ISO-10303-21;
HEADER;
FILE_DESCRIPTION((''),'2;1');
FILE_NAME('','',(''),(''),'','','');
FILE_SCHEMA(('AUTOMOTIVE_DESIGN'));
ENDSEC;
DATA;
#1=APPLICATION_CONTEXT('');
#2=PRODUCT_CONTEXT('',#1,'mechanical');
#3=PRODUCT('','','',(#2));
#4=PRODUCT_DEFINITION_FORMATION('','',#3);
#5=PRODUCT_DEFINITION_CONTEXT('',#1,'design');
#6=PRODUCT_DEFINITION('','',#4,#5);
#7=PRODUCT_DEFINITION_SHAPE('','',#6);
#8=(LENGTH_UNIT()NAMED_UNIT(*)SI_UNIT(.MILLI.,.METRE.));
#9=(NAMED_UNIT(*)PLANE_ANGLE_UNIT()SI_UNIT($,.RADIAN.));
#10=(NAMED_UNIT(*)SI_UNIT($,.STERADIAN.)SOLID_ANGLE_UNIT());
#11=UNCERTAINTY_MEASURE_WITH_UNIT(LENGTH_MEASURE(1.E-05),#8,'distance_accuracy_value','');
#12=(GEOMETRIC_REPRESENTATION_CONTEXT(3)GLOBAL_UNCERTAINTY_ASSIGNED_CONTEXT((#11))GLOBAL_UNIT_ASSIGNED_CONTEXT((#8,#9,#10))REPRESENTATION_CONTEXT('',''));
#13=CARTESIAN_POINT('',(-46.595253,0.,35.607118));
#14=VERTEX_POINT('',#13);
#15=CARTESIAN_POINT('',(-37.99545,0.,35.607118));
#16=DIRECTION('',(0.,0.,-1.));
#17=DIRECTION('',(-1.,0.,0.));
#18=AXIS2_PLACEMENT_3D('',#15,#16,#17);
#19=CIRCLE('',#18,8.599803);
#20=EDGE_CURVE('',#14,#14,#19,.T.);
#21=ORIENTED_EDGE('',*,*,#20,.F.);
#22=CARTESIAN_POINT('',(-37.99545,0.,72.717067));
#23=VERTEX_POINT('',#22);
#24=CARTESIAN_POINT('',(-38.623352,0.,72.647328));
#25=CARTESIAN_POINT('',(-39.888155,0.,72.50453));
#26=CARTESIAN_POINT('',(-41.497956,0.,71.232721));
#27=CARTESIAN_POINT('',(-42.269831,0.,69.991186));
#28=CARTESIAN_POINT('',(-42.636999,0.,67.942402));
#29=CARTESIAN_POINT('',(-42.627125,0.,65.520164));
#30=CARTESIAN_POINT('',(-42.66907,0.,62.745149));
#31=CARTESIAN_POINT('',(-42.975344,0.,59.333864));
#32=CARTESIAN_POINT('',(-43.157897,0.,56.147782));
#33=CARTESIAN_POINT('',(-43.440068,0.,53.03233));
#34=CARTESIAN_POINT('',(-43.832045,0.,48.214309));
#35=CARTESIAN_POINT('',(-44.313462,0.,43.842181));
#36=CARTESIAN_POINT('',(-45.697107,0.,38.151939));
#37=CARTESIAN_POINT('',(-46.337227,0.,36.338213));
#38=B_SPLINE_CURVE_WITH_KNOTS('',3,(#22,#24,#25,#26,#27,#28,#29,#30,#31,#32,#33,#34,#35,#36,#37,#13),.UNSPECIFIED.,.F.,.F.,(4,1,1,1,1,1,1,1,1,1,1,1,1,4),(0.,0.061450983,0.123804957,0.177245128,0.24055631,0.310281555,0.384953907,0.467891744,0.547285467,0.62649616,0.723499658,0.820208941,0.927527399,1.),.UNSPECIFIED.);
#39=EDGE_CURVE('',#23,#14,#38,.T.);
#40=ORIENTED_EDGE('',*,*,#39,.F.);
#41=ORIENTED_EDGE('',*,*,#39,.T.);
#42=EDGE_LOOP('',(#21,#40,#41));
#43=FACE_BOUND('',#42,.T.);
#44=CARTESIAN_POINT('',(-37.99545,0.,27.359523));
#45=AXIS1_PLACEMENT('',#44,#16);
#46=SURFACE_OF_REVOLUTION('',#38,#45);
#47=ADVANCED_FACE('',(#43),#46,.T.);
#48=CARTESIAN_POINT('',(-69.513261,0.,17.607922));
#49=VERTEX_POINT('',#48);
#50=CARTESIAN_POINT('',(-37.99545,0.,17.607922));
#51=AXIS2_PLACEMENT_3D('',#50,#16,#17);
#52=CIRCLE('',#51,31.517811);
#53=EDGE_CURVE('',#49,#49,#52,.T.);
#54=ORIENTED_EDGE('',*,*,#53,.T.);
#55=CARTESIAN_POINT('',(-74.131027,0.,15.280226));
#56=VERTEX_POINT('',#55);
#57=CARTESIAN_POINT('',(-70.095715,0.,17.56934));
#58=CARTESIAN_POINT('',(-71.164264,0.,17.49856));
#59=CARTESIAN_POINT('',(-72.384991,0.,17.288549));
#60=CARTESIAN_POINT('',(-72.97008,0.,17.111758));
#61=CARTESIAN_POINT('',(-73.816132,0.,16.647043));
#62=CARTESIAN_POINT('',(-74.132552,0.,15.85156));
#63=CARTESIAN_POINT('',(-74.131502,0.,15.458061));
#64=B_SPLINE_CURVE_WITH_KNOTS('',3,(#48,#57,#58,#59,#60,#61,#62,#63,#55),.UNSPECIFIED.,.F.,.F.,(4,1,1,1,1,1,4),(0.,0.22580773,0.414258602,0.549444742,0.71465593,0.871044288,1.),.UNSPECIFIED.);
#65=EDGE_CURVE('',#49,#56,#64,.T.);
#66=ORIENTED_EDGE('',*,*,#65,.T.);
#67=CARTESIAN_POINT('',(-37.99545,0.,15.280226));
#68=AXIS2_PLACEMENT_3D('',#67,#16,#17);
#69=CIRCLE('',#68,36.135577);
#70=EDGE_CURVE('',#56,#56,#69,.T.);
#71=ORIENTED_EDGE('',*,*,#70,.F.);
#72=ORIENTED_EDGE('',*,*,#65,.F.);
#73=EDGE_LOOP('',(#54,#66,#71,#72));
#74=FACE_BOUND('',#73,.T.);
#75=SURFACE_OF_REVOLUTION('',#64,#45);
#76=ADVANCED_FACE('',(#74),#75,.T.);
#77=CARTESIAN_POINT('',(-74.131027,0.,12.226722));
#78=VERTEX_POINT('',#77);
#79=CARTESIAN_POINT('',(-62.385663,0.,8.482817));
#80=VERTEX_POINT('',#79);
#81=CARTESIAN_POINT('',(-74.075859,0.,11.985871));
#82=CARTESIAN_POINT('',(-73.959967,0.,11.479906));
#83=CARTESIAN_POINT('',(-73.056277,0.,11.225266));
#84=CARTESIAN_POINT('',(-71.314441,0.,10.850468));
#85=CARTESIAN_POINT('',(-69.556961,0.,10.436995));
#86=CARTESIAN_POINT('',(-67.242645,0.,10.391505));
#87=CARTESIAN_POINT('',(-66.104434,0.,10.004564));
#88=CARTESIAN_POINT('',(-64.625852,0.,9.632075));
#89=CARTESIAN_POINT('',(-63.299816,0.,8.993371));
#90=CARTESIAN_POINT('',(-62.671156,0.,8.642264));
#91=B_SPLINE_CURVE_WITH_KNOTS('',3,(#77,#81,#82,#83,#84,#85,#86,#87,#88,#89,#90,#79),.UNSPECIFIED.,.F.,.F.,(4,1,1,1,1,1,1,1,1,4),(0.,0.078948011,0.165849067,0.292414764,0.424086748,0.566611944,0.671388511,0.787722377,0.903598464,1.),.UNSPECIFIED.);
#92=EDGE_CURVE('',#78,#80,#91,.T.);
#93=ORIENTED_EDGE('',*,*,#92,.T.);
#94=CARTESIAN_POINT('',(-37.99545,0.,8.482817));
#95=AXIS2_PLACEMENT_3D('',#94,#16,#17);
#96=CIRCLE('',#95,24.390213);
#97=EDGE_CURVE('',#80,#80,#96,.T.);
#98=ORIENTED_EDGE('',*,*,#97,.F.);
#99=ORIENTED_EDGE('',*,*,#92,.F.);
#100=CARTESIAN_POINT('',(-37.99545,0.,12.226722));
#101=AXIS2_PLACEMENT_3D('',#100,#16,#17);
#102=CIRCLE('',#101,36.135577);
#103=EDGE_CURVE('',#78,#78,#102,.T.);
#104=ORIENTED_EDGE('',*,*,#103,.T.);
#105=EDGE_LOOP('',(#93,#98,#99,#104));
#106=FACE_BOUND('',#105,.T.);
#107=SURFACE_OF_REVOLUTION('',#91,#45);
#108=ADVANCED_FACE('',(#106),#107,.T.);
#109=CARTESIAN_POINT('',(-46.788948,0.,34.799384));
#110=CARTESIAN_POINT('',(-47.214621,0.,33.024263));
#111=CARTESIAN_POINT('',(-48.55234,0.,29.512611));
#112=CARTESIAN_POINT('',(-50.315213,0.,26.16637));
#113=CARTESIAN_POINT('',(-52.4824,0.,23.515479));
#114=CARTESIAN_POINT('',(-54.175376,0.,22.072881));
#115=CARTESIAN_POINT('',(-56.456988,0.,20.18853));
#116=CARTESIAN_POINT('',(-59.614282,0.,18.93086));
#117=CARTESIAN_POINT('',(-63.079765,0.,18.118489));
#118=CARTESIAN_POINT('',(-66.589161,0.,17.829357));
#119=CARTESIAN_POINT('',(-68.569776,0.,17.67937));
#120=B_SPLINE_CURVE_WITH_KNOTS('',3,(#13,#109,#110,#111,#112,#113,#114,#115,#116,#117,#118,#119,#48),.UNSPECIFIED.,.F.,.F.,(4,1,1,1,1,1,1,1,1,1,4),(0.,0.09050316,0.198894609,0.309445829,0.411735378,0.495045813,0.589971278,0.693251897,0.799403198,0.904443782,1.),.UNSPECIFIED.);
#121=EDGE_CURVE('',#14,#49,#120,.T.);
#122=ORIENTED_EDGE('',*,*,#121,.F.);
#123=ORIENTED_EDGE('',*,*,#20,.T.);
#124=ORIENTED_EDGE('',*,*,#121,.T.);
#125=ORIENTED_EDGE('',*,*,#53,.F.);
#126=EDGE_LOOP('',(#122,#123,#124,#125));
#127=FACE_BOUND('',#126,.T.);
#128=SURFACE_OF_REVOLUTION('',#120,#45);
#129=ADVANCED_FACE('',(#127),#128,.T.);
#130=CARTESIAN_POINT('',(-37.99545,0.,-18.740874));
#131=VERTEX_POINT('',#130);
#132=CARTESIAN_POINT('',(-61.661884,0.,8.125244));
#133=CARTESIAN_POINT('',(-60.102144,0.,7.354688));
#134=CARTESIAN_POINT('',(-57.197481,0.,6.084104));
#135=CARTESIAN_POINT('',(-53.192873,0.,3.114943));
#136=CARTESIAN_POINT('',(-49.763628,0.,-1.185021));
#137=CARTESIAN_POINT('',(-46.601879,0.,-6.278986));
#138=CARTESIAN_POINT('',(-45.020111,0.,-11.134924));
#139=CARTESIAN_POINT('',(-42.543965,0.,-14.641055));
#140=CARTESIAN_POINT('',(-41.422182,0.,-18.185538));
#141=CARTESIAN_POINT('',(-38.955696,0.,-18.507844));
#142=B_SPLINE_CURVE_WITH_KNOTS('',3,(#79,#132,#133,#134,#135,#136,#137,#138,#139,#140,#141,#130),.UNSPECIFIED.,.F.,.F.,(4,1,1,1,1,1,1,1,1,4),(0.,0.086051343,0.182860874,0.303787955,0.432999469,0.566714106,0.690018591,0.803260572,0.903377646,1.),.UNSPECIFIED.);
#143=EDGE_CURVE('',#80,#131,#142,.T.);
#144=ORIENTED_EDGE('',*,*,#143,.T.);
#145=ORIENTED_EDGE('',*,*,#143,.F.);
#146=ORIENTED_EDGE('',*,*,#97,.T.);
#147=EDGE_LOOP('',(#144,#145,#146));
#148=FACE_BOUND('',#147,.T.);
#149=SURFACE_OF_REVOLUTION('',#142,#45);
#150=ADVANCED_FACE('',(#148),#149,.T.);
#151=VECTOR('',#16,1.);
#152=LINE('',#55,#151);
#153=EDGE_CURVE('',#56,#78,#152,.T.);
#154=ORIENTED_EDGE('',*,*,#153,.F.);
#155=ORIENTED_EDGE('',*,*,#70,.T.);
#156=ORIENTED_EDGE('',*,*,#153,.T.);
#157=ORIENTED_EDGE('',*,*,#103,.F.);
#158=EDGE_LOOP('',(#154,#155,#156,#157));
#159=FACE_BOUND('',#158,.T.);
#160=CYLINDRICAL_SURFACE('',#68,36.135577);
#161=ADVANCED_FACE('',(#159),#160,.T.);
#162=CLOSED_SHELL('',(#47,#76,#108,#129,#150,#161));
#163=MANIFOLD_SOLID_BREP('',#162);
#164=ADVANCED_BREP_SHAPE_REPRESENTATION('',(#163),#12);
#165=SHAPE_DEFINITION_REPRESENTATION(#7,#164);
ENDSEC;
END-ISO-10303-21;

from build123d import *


with BuildPart() as f1:
    # F0 (on Front) → F1 (revolve)
    with BuildSketch(Plane.XZ):
        with BuildLine():
            Line((-37.9954501987, -18.7408737838), (-37.9954501987, 72.7170665001))
            add(Edge.make_bspline(
                [(-37.9954501987, 72.7170665001), (-38.6233518543, 72.6473279632), (-39.8881551697, 72.5045299812), (-41.4979559097, 71.2327213498), (-42.2698312652, 69.9911860807), (-42.6369988786, 67.9424021012), (-42.6271249795, 65.5201635661), (-42.6690695445, 62.7451491089), (-42.9753440582, 59.3338642074), (-43.157897079, 56.1477822069), (-43.4400681934, 53.0323300715), (-43.8320450189, 48.2143087023), (-44.3134624835, 43.8421813478), (-45.6971074126, 38.1519390956), (-46.3372272733, 36.3382127299), (-46.5952530503, 35.6071181595)],
                knots=[0, 0, 0, 0, 0.0614509827, 0.1238049572, 0.1772451278, 0.2405563101, 0.3102815548, 0.3849539072, 0.467891744, 0.5472854669, 0.6264961603, 0.7234996583, 0.8202089406, 0.9275273989, 1, 1, 1, 1], degree=3))
            add(Edge.make_bspline(
                [(-46.5952530503, 35.6071181595), (-46.7889476365, 34.7993836955), (-47.2146212722, 33.0242630132), (-48.5523395946, 29.5126114556), (-50.3152131844, 26.1663695868), (-52.4823998642, 23.5154786789), (-54.175376123, 22.0728813969), (-56.4569883775, 20.1885295854), (-59.6142816382, 18.9308603775), (-63.0797653583, 18.11848949), (-66.5891611948, 17.8293567879), (-68.5697762615, 17.6793695834), (-69.5132613182, 17.6079217345)],
                knots=[0, 0, 0, 0, 0.0905031597, 0.1988946091, 0.3094458291, 0.4117353779, 0.4950458126, 0.5899712776, 0.6932518969, 0.7994031983, 0.9044437821, 1, 1, 1, 1], degree=3))
            add(Edge.make_bspline(
                [(-69.5132613182, 17.6079217345), (-70.0957151301, 17.5693402351), (-71.1642635892, 17.4985600276), (-72.3849913878, 17.2885488967), (-72.9700801422, 17.1117577493), (-73.8161316124, 16.6470425296), (-74.1325521746, 15.8515597682), (-74.131501635, 15.4580605687), (-74.1310268641, 15.2802262455)],
                knots=[0, 0, 0, 0, 0.22580773, 0.4142586022, 0.5494447422, 0.71465593, 0.8710442877, 1, 1, 1, 1], degree=3))
            Line((-74.1310268641, 15.2802262455), (-74.1310268641, 12.2267222032))
            add(Edge.make_bspline(
                [(-74.1310268641, 12.2267222032), (-74.0758593646, 11.9858711205), (-73.9599669158, 11.4799061591), (-73.0562768995, 11.2252658313), (-71.3144411336, 10.8504684961), (-69.55696091, 10.4369953226), (-67.2426446889, 10.3915049168), (-66.1044344028, 10.0045640484), (-64.6258521562, 9.6320754932), (-63.2998159612, 8.9933709588), (-62.6711563029, 8.6422644579), (-62.3856633902, 8.4828166291)],
                knots=[0, 0, 0, 0, 0.0789480111, 0.1658490673, 0.2924147636, 0.4240867475, 0.5666119437, 0.6713885111, 0.7877223773, 0.9035984638, 1, 1, 1, 1], degree=3))
            add(Edge.make_bspline(
                [(-62.3856633902, 8.4828166291), (-61.6618837812, 8.1252443117), (-60.1021444785, 7.3546875915), (-57.1974807292, 6.0841036905), (-53.1928734232, 3.1149427387), (-49.763628084, -1.1850207225), (-46.6018791189, -6.2789855967), (-45.0201109423, -11.1349237635), (-42.5439653128, -14.641055123), (-41.4221816508, -18.1855378996), (-38.955696239, -18.5078439613), (-37.9954501987, -18.7408737838)],
                knots=[0, 0, 0, 0, 0.0860513425, 0.1828608739, 0.3037879552, 0.4329994687, 0.5667141056, 0.6900185911, 0.8032605723, 0.9033776465, 1, 1, 1, 1], degree=3))
        make_face()
    revolve(axis=Axis((-37.9954501987, 0, 27.3595230514), (0, 0, -1)))


solid = f1.part
